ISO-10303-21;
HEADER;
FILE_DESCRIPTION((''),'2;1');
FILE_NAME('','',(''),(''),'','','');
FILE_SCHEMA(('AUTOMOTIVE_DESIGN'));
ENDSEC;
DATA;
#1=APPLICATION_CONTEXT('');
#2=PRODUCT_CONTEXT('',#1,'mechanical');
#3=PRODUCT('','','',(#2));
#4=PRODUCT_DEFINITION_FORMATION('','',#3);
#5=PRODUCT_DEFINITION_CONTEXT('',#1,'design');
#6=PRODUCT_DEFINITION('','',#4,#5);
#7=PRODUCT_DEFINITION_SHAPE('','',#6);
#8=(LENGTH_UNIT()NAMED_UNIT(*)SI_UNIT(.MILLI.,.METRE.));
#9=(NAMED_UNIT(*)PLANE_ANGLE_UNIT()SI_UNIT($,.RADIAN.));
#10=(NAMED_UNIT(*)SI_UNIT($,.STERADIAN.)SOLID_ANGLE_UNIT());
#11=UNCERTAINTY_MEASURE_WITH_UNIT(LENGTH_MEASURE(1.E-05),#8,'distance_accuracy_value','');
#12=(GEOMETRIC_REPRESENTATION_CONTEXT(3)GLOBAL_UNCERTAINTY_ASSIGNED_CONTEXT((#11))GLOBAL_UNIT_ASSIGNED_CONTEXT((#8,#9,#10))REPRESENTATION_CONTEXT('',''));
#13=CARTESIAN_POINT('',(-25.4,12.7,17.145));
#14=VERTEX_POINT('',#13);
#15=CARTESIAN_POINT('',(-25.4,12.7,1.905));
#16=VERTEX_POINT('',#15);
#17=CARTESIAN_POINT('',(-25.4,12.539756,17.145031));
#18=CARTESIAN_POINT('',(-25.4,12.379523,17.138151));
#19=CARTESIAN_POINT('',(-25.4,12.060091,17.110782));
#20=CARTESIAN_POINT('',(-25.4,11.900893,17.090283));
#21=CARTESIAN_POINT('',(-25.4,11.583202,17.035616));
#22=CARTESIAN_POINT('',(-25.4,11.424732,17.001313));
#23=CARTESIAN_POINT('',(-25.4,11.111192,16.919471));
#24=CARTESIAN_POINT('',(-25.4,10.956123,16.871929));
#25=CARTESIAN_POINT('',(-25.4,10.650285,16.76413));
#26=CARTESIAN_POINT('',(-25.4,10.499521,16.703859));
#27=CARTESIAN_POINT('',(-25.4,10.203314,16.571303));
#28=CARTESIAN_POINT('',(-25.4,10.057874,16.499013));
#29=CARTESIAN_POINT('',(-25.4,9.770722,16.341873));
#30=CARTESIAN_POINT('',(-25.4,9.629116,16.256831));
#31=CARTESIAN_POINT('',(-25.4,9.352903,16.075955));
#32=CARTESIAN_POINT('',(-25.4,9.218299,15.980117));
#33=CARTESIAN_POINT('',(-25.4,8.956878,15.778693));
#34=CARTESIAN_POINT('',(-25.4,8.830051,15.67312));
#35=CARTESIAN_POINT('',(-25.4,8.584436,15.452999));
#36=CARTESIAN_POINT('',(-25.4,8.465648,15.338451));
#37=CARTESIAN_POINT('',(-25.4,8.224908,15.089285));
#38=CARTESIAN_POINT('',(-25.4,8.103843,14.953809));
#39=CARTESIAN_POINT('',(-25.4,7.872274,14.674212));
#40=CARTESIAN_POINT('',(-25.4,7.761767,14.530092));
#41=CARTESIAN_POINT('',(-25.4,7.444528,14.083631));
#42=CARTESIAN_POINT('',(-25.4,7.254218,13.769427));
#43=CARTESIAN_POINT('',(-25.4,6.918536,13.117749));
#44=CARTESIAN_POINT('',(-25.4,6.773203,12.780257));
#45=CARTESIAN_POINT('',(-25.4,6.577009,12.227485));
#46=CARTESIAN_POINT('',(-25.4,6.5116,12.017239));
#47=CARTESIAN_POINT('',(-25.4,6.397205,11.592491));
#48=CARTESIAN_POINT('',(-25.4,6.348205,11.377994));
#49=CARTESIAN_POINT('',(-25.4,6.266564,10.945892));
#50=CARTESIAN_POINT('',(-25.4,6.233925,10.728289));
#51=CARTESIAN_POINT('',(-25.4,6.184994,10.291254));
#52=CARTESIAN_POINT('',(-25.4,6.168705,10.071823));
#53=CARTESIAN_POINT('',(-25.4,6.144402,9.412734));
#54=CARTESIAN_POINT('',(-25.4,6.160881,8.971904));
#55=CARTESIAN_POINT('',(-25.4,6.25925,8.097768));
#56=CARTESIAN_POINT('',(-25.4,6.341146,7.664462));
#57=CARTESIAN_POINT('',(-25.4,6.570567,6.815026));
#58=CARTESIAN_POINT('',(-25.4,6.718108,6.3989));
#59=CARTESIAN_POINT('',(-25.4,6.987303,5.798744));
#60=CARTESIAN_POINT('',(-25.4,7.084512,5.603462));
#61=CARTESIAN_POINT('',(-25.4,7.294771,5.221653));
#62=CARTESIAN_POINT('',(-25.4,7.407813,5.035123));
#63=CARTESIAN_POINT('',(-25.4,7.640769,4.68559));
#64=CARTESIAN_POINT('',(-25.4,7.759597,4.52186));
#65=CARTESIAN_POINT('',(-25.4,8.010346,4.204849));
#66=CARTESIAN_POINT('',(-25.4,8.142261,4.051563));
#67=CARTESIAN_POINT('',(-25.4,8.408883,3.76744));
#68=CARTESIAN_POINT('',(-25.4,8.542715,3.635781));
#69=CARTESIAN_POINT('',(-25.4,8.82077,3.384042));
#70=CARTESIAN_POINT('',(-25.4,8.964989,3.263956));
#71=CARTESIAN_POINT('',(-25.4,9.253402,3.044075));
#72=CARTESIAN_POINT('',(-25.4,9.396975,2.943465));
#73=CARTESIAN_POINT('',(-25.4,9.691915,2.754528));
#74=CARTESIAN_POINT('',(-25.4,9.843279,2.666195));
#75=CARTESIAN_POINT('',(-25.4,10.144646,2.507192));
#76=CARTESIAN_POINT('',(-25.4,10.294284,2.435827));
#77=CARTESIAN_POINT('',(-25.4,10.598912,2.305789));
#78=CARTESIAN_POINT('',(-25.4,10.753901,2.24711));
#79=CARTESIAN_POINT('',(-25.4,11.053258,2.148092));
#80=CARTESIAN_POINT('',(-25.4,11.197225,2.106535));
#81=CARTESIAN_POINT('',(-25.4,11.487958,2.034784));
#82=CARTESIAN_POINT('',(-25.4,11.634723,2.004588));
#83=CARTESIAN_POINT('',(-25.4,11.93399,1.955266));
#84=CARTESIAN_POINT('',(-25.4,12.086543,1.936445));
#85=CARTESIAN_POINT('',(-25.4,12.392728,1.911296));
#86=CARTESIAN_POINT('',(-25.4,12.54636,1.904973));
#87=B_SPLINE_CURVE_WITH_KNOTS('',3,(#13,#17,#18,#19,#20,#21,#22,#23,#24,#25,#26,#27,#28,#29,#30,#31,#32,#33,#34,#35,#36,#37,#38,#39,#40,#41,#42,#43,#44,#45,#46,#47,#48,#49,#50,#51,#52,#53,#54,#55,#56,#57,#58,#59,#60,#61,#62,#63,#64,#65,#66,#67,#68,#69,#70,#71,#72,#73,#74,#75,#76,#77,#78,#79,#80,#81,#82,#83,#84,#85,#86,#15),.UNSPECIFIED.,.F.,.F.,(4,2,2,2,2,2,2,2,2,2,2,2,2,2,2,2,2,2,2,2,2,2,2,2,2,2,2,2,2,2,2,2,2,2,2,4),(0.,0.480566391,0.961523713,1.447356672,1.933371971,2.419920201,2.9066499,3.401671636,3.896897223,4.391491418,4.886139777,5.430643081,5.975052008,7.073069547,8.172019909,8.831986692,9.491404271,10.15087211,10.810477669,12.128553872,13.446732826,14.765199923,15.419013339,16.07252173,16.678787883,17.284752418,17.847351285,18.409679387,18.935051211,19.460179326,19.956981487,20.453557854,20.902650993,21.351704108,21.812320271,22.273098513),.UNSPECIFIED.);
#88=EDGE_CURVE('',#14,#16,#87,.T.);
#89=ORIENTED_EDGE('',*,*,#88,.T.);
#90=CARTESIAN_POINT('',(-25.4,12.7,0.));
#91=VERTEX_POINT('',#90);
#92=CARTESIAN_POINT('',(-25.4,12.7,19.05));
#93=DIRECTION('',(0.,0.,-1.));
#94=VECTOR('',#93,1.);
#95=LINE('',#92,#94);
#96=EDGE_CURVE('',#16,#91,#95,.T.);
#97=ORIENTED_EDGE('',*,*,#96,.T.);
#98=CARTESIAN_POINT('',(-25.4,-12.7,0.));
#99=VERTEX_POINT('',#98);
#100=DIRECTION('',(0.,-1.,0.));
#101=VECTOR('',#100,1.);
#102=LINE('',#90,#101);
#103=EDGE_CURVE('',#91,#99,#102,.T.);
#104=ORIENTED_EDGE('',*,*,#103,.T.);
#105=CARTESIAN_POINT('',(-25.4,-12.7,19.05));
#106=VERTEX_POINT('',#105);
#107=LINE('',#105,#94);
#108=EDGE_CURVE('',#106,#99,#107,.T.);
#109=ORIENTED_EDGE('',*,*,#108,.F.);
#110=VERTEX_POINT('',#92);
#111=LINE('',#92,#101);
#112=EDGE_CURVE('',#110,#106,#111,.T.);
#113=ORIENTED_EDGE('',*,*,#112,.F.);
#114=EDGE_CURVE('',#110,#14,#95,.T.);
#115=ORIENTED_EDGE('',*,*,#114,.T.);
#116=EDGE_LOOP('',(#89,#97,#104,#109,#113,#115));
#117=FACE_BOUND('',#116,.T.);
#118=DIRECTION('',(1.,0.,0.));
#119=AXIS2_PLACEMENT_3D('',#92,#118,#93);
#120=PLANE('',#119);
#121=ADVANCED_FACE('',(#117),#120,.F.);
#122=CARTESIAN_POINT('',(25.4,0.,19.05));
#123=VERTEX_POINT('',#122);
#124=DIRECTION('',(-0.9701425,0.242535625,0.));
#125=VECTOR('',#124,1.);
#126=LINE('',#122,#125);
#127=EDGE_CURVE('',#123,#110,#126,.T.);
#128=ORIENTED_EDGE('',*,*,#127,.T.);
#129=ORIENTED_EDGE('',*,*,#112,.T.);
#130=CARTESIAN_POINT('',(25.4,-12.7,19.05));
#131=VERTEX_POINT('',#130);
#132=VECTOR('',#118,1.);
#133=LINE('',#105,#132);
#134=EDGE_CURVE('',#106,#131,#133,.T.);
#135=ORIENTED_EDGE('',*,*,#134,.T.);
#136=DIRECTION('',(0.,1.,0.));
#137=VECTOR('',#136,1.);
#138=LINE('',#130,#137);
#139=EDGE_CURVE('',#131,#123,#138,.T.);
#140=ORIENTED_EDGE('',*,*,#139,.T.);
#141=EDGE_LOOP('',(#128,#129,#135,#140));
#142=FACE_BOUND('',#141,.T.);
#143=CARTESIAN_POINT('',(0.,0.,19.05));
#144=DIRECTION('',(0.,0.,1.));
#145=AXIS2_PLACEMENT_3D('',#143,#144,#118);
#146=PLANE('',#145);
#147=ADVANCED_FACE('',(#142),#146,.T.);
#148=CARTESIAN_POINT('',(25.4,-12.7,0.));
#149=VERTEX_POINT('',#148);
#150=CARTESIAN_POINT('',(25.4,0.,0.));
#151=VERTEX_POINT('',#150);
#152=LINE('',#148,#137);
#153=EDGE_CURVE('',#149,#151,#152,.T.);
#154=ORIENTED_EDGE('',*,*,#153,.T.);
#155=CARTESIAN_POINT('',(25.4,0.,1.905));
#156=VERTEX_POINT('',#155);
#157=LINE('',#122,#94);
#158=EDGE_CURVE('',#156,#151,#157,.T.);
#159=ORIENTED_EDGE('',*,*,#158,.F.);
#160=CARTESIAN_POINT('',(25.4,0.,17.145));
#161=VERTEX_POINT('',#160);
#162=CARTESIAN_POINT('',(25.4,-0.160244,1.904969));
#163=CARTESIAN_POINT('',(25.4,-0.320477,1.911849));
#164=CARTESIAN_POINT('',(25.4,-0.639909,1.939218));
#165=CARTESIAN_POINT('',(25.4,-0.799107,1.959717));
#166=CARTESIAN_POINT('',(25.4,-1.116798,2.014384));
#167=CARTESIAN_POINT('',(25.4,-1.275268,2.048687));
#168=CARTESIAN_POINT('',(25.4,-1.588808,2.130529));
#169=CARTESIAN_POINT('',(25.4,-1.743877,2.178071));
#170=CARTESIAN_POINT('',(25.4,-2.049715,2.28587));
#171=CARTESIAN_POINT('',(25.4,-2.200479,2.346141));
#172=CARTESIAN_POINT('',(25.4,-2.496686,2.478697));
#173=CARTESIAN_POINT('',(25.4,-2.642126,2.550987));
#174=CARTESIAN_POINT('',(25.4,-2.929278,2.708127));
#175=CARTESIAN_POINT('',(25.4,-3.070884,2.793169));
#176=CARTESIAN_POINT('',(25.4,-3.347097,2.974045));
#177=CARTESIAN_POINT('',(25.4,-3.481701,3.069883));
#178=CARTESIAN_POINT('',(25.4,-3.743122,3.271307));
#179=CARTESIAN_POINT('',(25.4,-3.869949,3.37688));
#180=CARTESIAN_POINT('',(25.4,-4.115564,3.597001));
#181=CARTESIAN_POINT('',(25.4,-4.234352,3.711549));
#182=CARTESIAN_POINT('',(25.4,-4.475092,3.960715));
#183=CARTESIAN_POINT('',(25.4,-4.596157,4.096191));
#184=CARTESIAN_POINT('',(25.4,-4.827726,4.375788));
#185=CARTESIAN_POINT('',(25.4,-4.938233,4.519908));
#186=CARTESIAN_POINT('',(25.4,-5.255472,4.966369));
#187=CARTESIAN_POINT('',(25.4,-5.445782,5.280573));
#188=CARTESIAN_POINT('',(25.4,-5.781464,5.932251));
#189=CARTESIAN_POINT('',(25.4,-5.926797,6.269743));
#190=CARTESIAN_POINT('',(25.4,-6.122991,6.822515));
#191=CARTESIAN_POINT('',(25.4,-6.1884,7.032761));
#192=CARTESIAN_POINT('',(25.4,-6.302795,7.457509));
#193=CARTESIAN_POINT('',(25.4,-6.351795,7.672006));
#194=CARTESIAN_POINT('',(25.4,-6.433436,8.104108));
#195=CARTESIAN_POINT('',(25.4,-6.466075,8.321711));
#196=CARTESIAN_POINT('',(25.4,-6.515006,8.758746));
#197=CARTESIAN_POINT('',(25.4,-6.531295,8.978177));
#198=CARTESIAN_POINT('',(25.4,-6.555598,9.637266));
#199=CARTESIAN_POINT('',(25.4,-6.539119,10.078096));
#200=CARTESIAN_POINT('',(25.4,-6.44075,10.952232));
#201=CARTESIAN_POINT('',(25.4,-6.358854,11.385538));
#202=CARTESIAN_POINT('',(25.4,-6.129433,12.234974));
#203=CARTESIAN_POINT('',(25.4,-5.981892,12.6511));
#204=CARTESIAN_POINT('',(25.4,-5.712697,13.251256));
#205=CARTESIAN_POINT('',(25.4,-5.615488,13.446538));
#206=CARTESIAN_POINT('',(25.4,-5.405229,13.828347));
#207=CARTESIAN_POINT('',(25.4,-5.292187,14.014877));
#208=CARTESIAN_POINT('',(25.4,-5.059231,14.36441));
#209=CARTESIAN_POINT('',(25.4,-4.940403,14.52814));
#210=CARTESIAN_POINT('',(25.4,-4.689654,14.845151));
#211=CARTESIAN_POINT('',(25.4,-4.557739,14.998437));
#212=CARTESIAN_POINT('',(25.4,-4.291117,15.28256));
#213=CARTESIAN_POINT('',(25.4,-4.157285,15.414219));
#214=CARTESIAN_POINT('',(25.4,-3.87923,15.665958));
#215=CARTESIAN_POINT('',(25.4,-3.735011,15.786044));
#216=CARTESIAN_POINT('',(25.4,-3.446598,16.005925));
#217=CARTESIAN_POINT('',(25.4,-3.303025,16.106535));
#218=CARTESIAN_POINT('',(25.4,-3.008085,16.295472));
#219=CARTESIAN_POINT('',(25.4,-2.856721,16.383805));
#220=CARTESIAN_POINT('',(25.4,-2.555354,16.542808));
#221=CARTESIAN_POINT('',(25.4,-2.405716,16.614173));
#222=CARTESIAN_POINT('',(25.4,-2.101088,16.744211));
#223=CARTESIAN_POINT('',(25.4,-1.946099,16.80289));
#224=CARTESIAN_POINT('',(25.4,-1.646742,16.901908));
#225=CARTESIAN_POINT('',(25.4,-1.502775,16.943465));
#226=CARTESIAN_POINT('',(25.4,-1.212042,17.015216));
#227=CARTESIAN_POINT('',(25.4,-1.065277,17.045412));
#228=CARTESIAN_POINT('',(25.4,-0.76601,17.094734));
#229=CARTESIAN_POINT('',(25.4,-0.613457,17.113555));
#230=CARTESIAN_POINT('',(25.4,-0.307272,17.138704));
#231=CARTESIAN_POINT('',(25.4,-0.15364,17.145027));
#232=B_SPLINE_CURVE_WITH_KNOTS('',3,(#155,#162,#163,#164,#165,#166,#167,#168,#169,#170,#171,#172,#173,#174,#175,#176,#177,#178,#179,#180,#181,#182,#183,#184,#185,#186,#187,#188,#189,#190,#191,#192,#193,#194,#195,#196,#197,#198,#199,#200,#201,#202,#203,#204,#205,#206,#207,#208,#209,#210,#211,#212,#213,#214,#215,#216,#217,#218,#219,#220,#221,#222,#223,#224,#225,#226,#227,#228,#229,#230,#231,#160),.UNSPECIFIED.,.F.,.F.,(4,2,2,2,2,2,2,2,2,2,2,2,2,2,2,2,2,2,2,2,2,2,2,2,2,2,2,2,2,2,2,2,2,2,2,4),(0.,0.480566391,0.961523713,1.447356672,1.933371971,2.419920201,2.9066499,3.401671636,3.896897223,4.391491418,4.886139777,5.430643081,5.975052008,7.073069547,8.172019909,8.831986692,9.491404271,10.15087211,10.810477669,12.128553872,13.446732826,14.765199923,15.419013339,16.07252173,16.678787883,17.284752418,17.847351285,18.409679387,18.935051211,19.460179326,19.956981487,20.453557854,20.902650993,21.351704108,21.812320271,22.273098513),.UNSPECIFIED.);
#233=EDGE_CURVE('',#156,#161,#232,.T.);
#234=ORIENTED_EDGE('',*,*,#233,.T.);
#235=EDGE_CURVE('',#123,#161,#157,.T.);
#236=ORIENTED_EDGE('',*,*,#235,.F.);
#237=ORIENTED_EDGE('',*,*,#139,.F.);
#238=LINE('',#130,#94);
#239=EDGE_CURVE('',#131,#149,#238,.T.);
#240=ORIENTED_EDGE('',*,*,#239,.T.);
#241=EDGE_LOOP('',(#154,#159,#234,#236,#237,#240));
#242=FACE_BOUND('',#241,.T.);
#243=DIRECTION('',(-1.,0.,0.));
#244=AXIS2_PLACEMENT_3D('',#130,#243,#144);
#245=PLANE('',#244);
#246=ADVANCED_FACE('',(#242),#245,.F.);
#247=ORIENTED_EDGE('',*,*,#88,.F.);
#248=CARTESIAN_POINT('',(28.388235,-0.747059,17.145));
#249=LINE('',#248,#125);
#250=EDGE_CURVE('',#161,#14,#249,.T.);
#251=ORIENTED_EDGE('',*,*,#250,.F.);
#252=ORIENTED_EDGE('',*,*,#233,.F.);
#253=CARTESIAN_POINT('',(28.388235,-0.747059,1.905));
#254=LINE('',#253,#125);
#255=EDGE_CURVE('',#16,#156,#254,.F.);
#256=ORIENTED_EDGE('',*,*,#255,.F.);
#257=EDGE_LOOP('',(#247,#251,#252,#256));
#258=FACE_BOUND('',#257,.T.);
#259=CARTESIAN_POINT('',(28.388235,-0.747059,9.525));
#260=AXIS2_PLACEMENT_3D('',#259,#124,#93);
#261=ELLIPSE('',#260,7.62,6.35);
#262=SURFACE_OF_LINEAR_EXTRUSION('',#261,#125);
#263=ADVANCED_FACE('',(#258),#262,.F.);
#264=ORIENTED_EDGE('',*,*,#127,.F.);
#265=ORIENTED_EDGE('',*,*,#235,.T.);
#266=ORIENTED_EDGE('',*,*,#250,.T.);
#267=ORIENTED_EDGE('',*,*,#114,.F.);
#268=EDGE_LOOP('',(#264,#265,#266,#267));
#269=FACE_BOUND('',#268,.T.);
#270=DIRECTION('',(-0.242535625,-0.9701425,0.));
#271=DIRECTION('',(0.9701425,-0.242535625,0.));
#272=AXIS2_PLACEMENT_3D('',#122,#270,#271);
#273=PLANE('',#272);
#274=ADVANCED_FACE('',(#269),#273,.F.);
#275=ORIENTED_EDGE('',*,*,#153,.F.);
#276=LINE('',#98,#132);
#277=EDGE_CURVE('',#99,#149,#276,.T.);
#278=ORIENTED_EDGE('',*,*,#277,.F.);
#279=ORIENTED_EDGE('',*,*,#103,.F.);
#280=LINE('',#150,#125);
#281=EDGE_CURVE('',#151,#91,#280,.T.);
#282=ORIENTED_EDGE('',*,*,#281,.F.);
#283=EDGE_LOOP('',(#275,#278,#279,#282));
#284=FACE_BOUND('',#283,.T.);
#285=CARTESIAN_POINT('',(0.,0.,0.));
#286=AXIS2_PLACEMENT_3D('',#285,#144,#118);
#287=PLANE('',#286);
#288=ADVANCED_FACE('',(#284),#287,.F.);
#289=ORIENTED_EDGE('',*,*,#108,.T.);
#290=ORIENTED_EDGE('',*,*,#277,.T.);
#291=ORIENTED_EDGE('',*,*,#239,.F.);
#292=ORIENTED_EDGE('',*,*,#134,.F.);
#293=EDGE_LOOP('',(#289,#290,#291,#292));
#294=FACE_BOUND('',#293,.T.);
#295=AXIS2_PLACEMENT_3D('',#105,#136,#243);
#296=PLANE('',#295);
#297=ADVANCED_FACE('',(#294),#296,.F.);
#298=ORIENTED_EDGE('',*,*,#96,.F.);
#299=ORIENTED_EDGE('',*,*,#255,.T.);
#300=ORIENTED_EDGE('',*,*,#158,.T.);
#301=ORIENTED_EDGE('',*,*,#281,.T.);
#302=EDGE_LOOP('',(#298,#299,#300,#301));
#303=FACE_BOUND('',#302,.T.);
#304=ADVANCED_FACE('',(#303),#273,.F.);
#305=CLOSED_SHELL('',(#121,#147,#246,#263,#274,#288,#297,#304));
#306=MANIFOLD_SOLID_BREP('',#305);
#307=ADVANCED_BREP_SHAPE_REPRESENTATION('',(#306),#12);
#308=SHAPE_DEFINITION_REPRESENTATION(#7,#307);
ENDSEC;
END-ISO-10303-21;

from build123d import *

# Parameters (mm, degrees)
BOSS_EXTRUDE1_DEPTH = 19.05
SKETCH3_RX          = 7.62
SKETCH3_RY          = 6.35
CUT_EXTRUDE1_DEPTH  = 56.443643883


with BuildPart() as part:
    # Sketch1 → Boss-Extrude1 (new body)
    with BuildSketch(Plane.XY):
        Polygon((-25.4, 12.7), (-25.4, -12.7), (25.4, -12.7), (25.4, 0), align=None)
    extrude(amount=BOSS_EXTRUDE1_DEPTH)

    # Sketch3 → Cut-Extrude1 (cut, through all)
    with BuildSketch(Plane(origin=(-26.894117647, 6.723529412, 0), x_dir=(0, 0, -1), z_dir=(-0.9701425, 0.242535625, 0))):
        with Locations(Location((-9.525, -6.160404876), (0, 0, 0))):
            Ellipse(SKETCH3_RX, SKETCH3_RY)
    extrude(amount=-CUT_EXTRUDE1_DEPTH, mode=Mode.SUBTRACT)


solid = part.part
